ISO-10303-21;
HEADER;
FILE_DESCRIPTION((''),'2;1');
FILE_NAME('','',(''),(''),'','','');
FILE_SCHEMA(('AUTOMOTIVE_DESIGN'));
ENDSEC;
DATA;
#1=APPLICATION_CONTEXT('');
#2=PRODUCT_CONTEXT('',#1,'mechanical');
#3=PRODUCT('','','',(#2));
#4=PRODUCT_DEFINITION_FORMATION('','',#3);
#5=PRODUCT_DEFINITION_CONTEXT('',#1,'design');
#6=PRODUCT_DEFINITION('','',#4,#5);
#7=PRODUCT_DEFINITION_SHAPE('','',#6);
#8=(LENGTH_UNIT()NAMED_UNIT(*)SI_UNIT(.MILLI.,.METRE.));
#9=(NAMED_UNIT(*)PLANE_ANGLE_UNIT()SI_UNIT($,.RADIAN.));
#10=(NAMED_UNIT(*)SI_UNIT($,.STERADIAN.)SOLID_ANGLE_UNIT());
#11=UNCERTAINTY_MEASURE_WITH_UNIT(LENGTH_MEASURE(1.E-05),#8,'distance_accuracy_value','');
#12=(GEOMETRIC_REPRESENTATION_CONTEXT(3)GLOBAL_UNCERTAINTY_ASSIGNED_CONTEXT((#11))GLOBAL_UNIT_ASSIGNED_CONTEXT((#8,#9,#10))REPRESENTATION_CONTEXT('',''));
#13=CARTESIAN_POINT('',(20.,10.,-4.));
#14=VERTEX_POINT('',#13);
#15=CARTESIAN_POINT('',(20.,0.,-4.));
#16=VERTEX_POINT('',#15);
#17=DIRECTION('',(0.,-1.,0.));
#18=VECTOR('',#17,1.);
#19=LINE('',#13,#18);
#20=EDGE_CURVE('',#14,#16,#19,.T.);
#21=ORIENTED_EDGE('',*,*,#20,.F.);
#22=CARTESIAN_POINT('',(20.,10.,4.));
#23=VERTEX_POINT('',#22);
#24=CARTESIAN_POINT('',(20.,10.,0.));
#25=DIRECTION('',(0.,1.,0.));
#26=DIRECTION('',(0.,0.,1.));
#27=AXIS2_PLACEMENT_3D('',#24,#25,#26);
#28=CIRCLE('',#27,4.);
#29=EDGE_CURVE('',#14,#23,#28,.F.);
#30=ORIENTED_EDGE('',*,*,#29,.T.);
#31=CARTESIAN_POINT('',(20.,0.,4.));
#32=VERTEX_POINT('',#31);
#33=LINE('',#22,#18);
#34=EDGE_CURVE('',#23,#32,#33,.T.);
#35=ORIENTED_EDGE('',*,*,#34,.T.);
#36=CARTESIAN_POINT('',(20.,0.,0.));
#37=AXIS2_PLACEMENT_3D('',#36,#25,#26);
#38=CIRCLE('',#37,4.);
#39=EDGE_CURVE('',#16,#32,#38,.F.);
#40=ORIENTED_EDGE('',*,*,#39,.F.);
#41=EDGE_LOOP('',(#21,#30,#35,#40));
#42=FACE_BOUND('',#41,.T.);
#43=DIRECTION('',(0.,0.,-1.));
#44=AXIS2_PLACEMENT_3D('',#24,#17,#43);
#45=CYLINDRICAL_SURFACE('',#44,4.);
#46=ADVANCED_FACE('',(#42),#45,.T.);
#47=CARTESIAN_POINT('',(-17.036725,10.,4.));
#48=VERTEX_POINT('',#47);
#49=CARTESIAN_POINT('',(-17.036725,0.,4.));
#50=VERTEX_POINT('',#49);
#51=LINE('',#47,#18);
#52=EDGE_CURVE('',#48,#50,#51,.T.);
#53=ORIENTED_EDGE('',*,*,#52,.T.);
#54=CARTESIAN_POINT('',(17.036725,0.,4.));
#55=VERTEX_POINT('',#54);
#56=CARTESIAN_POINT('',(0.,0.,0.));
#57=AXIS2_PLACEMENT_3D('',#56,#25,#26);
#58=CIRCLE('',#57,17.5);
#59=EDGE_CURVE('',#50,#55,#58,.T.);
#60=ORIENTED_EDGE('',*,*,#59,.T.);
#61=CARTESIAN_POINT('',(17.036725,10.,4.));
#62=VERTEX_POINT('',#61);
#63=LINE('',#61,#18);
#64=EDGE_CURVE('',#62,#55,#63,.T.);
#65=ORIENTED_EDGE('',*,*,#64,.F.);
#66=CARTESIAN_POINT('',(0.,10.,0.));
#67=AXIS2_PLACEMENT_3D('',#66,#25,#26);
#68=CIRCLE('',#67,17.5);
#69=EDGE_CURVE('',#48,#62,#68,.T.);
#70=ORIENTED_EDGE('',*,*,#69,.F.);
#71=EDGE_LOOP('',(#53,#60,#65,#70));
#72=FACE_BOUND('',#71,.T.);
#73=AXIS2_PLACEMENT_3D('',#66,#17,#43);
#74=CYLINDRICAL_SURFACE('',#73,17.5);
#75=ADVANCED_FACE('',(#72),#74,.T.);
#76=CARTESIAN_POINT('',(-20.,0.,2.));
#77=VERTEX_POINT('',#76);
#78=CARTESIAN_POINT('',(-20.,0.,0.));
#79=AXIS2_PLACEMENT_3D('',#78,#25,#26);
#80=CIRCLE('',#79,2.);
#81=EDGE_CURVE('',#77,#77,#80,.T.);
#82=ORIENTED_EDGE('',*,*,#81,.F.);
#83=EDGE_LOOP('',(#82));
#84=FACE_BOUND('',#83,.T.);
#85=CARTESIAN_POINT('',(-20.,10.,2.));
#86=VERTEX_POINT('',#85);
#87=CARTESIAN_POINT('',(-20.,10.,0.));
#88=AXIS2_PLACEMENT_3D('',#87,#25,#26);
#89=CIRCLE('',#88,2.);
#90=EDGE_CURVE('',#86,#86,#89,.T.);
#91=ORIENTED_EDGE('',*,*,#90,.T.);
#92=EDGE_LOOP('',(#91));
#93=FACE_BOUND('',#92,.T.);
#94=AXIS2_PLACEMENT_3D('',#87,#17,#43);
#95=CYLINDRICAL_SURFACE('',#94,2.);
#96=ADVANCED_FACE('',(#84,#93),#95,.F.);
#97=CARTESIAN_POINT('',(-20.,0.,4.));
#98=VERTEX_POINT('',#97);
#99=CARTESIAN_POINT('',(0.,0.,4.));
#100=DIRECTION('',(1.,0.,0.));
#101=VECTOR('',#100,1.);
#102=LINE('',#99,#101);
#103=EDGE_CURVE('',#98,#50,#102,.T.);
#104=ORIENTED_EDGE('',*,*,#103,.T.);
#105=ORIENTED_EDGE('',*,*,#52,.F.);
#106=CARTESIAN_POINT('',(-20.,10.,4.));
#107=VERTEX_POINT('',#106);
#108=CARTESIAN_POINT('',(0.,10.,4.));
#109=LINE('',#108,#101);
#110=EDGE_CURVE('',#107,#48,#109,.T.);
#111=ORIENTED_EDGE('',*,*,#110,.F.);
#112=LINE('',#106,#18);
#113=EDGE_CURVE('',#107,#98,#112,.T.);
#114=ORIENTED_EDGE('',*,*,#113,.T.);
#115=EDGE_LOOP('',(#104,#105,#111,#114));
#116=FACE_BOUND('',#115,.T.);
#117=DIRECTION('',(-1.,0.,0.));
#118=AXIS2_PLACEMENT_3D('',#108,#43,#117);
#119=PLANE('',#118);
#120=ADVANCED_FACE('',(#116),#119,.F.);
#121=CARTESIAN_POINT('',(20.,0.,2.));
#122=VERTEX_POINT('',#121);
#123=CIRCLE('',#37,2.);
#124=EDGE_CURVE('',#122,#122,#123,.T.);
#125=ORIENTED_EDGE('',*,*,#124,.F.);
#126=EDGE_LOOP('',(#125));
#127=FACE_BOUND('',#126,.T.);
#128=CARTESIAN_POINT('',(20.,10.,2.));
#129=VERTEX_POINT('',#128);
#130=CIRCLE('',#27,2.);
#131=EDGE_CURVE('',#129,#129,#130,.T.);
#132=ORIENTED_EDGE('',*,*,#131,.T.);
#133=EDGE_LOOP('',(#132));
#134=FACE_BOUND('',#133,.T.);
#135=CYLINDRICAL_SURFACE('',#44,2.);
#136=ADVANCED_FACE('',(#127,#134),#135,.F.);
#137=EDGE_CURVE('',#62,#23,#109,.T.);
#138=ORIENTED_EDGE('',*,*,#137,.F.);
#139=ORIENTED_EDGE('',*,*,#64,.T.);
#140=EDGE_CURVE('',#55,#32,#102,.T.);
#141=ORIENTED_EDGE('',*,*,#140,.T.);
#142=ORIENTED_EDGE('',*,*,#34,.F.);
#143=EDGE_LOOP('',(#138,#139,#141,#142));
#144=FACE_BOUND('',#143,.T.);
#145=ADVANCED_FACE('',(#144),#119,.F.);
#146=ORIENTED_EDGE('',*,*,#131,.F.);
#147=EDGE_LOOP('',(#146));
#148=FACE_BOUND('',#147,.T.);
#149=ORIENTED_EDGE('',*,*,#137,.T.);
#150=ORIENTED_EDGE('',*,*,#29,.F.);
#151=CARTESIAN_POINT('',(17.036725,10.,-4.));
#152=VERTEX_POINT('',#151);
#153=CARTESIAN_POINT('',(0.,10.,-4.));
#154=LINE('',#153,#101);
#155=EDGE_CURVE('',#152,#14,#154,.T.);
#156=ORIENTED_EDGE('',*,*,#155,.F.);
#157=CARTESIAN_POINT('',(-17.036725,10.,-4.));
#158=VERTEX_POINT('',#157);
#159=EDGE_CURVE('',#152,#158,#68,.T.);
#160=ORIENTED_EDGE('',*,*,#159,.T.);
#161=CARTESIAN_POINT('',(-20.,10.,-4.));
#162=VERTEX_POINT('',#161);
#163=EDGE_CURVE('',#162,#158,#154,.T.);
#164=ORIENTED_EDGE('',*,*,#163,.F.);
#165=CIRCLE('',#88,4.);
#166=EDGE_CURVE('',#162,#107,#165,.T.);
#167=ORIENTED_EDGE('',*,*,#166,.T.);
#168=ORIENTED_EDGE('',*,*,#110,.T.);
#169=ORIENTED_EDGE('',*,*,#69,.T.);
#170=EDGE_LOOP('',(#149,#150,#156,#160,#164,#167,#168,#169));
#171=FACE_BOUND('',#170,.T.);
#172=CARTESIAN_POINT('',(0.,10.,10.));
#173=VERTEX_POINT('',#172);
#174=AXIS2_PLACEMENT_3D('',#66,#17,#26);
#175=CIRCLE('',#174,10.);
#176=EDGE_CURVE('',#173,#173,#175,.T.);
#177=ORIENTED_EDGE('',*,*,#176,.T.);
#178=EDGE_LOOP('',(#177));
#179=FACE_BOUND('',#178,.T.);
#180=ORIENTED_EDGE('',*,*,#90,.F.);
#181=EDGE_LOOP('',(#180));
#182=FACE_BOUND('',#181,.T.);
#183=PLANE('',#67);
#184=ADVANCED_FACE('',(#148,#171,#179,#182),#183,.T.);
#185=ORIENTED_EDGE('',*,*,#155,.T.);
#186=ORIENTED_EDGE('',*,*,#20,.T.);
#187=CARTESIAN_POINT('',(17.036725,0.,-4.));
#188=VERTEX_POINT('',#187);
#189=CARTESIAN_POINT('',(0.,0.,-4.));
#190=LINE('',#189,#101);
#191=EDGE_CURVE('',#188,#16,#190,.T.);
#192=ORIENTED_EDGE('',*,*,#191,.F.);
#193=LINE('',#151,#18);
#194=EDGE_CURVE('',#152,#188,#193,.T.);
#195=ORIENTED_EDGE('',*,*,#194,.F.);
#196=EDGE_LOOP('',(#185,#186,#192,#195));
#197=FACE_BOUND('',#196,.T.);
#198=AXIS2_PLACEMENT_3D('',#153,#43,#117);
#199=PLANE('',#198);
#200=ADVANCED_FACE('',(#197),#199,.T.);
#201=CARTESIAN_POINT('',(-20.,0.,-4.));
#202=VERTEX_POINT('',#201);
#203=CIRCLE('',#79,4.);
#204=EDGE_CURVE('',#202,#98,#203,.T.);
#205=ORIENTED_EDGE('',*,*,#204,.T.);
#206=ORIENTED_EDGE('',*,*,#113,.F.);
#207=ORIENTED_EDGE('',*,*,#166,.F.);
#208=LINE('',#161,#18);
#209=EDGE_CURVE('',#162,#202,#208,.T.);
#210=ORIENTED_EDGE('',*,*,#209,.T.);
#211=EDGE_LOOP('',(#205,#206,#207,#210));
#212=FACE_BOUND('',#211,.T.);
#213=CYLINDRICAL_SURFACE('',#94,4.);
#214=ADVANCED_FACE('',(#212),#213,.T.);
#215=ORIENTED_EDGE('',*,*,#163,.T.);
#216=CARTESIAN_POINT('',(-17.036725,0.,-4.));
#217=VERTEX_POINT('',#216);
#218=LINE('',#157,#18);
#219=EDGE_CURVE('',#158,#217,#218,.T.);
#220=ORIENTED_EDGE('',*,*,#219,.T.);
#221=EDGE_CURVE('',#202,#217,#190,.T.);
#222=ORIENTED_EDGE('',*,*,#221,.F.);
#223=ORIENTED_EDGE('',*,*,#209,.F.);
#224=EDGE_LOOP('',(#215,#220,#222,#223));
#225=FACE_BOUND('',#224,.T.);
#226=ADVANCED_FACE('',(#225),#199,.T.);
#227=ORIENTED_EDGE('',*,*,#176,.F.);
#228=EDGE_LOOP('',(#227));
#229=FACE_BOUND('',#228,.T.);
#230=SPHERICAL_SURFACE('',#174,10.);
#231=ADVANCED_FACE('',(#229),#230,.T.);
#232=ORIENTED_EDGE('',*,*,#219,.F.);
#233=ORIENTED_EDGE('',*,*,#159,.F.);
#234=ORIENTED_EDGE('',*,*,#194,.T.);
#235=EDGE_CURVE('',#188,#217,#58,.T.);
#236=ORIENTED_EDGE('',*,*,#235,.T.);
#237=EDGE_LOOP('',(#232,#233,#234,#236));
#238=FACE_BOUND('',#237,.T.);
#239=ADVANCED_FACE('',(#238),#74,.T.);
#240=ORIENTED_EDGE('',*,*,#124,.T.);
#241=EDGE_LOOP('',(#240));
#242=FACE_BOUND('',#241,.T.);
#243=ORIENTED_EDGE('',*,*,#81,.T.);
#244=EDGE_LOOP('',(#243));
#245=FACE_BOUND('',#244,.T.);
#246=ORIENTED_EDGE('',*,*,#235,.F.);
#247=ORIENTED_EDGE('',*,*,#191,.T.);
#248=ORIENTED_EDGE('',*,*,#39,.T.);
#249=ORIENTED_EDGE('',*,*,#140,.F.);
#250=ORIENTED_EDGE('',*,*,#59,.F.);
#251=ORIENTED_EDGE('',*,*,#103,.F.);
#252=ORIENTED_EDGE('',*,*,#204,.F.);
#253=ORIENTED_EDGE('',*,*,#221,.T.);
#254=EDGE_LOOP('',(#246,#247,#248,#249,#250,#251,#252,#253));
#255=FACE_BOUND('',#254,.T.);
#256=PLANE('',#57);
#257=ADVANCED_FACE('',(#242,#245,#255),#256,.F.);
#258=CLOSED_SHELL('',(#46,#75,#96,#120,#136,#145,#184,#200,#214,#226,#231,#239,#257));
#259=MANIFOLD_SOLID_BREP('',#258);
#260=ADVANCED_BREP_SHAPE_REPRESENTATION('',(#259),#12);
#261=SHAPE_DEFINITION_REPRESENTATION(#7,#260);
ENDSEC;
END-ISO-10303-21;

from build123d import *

# Parameters (mm, degrees)
SKETCH1_R           = 17.5
SKETCH1_R_2         = 2
BOSS_EXTRUDE1_DEPTH = 10
REVOLVE1_ANGLE      = 180


with BuildPart() as part:
    # Sketch1 → Boss-Extrude1 (new body)
    # profile 1 of 2: a face of its own
    with BuildSketch(Plane(origin=(0, 0, 0), x_dir=(1, 0, 0), z_dir=(0, 1, 0))):
        Circle(SKETCH1_R)
    # profile 2 of 2: a face of its own
    with BuildSketch(Plane(origin=(0, 0, 0), x_dir=(1, 0, 0), z_dir=(0, 1, 0))):
        with BuildLine():
            Line((-20, -4), (20, -4))
            ThreePointArc((20, -4), (24, 0), (20, 4))
            Line((20, 4), (-20, 4))
            ThreePointArc((-20, 4), (-24, 0), (-20, -4))
        make_face()
        with Locations(Location((-20, 0, 0), (0, 0, 270))):
            Circle(SKETCH1_R_2, mode=Mode.SUBTRACT)
        with Locations(Location((20, 0, 0), (0, 0, 270))):
            Circle(SKETCH1_R_2, mode=Mode.SUBTRACT)
    extrude(amount=BOSS_EXTRUDE1_DEPTH)

    # Sketch2 → Revolve1 (revolve)
    with BuildSketch(Plane(origin=(0, 10, 0), x_dir=(1, 0, 0), z_dir=(0, 1, 0))):
        with BuildLine():
            Line((0, 10), (0, -10))
            ThreePointArc((0, -10), (-10, 0), (0, 10))
        make_face()
    revolve(axis=Axis((0, 10, -10), (0, 0, -1)), revolution_arc=REVOLVE1_ANGLE)


solid = part.part
